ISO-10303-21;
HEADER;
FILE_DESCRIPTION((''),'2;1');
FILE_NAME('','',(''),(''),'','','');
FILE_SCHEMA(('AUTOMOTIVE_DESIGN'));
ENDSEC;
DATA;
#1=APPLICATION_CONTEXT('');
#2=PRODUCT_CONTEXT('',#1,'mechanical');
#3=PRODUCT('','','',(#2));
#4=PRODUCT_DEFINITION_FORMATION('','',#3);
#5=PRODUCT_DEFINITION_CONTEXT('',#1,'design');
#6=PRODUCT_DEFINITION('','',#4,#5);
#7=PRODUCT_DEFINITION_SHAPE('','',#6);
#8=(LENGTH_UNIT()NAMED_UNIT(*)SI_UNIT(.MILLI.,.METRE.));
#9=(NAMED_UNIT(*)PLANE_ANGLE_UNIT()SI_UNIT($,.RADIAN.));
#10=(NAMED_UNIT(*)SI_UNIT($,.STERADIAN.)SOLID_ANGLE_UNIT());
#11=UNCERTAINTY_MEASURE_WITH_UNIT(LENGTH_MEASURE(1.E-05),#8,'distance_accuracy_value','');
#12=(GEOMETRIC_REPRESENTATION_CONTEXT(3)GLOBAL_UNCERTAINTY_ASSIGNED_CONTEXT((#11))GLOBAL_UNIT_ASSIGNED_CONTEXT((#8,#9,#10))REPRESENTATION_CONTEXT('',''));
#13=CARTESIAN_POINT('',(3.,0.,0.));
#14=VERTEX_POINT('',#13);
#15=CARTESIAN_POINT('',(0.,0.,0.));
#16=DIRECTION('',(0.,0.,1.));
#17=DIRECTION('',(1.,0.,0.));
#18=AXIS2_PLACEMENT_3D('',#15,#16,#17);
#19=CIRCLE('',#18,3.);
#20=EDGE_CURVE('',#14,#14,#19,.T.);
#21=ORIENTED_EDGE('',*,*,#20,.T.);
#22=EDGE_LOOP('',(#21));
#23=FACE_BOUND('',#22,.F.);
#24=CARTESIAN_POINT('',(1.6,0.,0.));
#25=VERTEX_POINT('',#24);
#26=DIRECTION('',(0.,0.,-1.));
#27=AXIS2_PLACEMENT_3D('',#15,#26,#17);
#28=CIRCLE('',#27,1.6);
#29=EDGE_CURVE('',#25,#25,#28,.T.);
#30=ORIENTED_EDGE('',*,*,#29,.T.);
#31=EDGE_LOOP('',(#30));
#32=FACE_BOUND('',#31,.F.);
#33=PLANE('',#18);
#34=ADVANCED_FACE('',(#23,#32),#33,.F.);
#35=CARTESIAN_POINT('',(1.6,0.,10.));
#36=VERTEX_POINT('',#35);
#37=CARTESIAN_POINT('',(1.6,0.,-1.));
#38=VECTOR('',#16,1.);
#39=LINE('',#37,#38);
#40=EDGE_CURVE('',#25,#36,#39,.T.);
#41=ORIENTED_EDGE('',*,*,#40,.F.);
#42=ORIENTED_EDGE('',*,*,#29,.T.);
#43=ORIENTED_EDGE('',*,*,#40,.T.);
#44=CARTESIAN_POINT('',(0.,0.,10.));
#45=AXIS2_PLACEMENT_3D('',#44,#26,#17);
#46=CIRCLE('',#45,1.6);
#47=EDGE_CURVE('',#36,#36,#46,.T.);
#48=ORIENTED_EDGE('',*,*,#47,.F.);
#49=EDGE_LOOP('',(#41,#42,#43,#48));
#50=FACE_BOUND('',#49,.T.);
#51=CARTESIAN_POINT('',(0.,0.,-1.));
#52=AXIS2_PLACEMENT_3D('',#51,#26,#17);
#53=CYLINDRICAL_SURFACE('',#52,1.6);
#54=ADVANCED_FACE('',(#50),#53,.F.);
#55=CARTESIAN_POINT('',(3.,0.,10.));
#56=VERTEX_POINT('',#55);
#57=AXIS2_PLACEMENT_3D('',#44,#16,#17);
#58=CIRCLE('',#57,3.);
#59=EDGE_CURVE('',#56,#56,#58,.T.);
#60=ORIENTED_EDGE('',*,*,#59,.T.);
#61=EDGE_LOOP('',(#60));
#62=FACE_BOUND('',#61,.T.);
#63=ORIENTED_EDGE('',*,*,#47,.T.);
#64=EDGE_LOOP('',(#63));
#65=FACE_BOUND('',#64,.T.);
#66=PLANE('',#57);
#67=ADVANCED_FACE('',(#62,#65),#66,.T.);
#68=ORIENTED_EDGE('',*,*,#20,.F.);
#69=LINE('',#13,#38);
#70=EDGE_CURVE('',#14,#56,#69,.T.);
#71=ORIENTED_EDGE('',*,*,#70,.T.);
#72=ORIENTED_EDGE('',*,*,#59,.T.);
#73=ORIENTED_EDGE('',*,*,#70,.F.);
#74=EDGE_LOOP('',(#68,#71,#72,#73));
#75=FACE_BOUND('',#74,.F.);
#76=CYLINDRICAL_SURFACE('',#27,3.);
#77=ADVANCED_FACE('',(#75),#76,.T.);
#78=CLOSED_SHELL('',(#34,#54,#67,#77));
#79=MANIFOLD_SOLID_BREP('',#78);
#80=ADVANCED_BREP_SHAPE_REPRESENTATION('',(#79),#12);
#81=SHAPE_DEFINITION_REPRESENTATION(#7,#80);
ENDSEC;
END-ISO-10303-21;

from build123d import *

# Parameters (mm, degrees)
CYLINDER008_R     = 1.6
CYLINDER008_DEPTH = 12
CYLINDER007_R     = 3
CYLINDER007_DEPTH = 10


with BuildPart() as cilindro008:
    # Cylinder008 → Cylinder008 (new body)
    with BuildSketch(Plane.XY.offset(-1)):
        Circle(CYLINDER008_R)
    extrude(amount=CYLINDER008_DEPTH)


with BuildPart() as cut011:
    # Cylinder007 → Cylinder007 (new body)
    with BuildSketch(Plane.XY):
        Circle(CYLINDER007_R)
    extrude(amount=CYLINDER007_DEPTH)

    # Cut011: cut Cilindro008
    add(cilindro008.part, mode=Mode.SUBTRACT)


solid = cut011.part
